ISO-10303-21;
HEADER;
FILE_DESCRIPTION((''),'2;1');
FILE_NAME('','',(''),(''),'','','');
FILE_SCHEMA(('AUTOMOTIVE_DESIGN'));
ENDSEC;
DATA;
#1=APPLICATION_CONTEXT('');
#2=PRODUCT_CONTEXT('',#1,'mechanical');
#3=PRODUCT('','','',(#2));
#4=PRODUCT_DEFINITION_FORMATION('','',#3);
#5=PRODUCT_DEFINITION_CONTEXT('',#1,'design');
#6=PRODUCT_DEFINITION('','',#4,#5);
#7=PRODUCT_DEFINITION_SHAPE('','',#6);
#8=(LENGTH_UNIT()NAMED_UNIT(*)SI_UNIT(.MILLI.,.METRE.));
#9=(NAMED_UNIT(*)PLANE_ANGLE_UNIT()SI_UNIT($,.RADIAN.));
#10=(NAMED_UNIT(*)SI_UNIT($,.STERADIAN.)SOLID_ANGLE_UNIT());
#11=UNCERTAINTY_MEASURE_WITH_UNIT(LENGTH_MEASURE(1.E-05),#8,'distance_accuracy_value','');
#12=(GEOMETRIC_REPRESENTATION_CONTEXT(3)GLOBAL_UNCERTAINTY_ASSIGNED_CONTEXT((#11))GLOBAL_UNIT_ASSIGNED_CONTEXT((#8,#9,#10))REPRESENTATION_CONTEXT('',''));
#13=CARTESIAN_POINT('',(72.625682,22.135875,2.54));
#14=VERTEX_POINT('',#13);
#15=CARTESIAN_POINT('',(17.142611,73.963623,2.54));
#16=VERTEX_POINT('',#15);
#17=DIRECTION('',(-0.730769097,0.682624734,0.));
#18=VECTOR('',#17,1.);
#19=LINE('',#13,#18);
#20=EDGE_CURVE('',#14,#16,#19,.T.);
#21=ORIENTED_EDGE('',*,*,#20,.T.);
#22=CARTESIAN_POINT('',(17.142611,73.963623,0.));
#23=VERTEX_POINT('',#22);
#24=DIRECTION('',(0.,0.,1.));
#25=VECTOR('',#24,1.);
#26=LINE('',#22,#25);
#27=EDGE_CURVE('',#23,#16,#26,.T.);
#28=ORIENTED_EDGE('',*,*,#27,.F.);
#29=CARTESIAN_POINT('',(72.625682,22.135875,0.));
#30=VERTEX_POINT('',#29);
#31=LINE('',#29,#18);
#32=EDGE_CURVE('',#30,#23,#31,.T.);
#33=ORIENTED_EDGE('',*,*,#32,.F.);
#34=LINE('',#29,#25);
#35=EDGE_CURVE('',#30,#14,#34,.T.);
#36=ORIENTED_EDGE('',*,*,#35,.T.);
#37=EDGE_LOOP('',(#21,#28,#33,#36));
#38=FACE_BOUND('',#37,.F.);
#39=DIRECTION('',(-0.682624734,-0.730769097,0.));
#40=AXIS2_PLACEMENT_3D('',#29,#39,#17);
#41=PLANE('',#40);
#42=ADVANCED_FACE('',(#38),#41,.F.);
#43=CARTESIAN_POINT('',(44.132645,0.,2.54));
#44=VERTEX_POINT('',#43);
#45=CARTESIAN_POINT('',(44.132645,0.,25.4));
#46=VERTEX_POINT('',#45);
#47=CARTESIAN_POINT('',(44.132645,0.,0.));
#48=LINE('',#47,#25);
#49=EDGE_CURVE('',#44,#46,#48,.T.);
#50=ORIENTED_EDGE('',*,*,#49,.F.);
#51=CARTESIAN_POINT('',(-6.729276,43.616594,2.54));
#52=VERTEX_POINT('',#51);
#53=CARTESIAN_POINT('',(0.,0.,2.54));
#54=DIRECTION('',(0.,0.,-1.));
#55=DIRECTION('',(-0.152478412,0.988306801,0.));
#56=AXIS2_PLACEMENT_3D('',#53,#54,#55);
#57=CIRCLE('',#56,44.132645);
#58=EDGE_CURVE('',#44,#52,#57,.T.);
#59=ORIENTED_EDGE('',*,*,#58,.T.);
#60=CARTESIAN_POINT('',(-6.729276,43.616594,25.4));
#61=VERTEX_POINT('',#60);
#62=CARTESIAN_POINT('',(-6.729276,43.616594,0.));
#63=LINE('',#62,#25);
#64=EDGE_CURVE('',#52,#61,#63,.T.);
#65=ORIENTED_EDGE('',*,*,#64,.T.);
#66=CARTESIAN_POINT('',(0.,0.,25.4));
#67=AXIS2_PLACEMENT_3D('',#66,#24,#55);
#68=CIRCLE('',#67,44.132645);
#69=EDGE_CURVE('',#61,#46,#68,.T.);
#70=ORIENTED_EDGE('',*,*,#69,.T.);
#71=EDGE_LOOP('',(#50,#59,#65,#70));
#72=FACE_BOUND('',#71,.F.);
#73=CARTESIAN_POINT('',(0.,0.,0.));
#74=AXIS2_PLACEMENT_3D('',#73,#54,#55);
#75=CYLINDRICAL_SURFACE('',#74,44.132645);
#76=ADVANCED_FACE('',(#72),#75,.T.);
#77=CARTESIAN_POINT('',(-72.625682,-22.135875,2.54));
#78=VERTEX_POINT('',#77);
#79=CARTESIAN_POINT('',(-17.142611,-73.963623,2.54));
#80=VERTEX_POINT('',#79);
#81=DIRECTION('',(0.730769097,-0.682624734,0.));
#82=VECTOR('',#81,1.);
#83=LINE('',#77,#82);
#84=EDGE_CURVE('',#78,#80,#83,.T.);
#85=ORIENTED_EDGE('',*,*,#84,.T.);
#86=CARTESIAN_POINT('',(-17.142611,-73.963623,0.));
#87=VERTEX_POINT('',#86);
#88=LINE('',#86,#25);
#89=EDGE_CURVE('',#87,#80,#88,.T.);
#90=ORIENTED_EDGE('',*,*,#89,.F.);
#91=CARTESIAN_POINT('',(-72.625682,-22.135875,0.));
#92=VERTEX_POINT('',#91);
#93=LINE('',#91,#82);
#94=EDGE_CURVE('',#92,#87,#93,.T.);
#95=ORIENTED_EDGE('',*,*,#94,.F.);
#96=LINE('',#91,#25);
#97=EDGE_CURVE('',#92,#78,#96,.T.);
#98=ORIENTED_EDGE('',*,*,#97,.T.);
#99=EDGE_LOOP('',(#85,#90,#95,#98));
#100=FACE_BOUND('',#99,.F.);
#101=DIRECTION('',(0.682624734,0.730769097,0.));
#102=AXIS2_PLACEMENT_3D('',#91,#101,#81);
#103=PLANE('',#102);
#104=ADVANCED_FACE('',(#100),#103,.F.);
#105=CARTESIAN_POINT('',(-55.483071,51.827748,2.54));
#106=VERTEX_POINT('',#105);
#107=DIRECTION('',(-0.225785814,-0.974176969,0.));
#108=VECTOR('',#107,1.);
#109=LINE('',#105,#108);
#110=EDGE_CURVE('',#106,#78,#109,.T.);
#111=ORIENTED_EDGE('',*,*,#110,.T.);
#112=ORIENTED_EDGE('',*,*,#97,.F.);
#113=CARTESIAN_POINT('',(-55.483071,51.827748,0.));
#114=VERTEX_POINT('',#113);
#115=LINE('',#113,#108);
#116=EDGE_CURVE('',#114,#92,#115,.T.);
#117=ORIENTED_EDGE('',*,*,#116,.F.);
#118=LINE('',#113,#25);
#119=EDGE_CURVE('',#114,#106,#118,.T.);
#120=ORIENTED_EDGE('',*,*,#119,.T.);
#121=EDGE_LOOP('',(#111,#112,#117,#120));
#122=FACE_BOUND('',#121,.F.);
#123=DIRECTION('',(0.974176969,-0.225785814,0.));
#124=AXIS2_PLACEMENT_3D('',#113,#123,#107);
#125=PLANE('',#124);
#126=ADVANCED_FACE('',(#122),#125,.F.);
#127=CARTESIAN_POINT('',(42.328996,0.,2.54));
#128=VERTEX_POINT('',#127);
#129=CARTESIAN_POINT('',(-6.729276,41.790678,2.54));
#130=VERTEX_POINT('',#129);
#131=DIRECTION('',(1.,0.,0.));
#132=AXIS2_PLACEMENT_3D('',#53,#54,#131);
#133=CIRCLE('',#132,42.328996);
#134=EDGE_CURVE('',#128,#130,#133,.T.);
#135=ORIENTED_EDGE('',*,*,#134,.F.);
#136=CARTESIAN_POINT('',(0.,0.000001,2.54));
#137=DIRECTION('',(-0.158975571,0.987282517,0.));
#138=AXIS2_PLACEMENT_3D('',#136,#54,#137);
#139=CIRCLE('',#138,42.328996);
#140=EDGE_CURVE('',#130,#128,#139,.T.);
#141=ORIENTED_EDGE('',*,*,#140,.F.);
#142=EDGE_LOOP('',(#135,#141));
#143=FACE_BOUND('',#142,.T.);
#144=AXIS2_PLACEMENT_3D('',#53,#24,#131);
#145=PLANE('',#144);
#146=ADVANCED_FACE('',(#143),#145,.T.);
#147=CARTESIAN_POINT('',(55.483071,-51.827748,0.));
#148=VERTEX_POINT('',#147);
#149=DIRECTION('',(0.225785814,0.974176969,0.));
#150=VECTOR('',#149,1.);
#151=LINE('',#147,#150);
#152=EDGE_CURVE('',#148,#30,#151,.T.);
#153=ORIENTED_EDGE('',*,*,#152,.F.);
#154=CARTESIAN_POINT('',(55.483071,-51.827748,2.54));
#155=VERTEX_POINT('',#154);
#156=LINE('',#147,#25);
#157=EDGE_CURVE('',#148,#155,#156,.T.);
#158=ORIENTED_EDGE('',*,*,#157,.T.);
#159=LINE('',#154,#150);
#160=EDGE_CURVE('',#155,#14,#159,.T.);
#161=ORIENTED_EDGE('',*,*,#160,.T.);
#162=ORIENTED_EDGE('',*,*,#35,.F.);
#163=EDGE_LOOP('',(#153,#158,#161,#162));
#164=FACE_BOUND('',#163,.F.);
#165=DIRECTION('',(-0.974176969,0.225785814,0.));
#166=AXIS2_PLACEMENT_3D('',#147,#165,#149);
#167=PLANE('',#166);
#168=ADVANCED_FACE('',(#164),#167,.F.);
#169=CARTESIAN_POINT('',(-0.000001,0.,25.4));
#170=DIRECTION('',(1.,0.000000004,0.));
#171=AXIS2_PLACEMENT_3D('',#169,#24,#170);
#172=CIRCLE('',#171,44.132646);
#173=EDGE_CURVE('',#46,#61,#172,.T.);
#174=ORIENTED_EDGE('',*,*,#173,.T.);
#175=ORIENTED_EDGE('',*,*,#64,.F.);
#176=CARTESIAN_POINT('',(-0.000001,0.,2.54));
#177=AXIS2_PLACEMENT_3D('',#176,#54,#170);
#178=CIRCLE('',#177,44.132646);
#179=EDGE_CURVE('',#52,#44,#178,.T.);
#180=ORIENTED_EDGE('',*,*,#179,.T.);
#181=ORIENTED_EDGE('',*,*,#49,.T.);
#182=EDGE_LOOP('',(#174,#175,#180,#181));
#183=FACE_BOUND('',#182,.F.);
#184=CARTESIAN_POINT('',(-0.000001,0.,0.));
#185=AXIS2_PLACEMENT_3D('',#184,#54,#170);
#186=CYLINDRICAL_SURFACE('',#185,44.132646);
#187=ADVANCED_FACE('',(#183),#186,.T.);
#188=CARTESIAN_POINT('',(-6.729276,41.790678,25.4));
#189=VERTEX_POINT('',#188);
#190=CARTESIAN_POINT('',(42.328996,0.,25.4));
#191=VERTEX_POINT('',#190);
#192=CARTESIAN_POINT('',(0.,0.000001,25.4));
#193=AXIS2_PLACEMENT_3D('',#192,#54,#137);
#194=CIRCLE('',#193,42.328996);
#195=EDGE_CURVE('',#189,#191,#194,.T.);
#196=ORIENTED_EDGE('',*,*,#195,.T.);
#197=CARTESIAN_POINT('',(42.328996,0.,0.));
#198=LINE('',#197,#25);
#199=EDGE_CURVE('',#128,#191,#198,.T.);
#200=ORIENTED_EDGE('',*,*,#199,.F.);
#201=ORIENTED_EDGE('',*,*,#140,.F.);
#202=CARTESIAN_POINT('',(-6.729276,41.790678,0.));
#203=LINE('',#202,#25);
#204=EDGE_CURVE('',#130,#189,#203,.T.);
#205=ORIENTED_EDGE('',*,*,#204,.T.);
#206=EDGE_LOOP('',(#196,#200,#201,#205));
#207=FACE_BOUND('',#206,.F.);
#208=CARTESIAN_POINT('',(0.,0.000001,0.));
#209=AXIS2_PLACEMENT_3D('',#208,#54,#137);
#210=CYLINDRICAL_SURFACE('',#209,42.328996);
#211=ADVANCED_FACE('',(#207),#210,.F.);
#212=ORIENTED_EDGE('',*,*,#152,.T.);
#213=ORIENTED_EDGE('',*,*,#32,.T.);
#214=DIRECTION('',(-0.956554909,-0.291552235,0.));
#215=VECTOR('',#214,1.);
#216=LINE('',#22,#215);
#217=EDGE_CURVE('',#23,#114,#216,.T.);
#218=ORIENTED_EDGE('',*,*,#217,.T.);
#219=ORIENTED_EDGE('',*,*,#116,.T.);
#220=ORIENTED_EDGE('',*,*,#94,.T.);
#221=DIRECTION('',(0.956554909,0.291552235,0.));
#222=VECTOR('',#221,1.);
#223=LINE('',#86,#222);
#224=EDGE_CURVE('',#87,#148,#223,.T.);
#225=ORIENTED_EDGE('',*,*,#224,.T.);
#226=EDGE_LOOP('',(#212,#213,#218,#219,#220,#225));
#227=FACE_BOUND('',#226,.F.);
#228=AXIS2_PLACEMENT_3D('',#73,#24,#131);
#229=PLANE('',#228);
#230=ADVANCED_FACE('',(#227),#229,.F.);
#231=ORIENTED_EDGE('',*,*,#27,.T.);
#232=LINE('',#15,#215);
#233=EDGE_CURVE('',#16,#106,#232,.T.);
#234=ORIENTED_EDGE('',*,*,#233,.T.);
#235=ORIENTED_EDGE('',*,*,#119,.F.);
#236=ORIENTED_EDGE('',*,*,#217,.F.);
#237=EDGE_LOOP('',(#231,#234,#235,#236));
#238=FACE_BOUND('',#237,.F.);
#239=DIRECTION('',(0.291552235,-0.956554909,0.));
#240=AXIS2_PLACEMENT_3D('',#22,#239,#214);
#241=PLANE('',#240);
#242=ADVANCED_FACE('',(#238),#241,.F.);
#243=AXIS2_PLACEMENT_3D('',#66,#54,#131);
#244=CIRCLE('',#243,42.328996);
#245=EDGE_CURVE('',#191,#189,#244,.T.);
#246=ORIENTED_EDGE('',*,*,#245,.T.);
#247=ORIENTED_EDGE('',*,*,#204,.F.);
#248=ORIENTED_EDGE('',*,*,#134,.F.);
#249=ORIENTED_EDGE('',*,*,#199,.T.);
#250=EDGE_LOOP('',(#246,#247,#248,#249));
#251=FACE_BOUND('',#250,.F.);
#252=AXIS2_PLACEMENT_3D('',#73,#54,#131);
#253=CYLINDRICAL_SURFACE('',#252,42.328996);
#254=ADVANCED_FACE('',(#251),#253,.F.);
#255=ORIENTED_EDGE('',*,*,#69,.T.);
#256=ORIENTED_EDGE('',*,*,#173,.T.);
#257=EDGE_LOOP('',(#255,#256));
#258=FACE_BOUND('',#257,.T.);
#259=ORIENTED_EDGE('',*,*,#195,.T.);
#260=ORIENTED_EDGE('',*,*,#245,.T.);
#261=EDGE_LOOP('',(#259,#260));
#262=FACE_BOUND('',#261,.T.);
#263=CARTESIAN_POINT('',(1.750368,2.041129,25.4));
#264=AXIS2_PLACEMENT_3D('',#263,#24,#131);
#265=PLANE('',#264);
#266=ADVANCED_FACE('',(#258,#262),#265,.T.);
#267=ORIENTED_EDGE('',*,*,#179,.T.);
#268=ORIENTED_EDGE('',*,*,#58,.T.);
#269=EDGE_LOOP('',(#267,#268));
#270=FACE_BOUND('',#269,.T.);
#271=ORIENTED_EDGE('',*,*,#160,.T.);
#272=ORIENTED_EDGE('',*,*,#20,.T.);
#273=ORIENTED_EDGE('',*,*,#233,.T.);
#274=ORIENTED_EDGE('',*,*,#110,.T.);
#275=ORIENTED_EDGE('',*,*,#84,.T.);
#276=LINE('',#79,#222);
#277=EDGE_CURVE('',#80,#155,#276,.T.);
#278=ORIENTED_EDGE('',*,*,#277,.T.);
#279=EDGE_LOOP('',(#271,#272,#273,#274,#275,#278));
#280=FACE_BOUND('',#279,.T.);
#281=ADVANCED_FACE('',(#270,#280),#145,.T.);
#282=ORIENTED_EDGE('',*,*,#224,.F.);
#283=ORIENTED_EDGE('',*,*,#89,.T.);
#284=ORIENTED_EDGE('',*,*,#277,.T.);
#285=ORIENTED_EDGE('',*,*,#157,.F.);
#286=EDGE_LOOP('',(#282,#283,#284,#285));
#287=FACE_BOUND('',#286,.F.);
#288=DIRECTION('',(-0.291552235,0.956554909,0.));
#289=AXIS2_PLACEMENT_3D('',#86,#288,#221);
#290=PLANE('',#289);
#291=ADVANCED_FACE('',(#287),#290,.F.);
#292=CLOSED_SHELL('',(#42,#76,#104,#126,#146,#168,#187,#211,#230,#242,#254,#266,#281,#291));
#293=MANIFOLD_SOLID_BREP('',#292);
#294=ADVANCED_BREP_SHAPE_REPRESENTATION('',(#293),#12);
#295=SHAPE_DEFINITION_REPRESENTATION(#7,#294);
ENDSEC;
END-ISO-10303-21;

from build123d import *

# Parameters (mm, degrees)
F2_DEPTH = 25.4
F3_DEPTH = 2.54


with BuildPart() as f2:
    # F0 (on Top) → F2 (new body)
    with BuildSketch(Plane.XY):
        with BuildLine():
            ThreePointArc((-6.729276, 43.616594), (-28.728989, -33.501277), (44.132645, 0))
            ThreePointArc((44.132645, 0), (28.728989, 33.501277), (-6.729276, 43.616594))
        make_face()
        with BuildLine():
            ThreePointArc((42.328996, 0), (-27.449048, -32.222565), (-6.729276, 41.790678))
            ThreePointArc((-6.729276, 41.790678), (27.449048, 32.222565), (42.328996, 0))
        make_face(mode=Mode.SUBTRACT)
    extrude(amount=F2_DEPTH)

    # F1 (on Top) → F3 (join)
    with BuildSketch(Plane.XY):
        Polygon((17.142611, 73.963623), (-55.483071, 51.827748), (-72.625682, -22.135875), (-17.142611, -73.963623), (55.483071, -51.827748), (72.625682, 22.135875), align=None)
    extrude(amount=F3_DEPTH)


solid = f2.part
